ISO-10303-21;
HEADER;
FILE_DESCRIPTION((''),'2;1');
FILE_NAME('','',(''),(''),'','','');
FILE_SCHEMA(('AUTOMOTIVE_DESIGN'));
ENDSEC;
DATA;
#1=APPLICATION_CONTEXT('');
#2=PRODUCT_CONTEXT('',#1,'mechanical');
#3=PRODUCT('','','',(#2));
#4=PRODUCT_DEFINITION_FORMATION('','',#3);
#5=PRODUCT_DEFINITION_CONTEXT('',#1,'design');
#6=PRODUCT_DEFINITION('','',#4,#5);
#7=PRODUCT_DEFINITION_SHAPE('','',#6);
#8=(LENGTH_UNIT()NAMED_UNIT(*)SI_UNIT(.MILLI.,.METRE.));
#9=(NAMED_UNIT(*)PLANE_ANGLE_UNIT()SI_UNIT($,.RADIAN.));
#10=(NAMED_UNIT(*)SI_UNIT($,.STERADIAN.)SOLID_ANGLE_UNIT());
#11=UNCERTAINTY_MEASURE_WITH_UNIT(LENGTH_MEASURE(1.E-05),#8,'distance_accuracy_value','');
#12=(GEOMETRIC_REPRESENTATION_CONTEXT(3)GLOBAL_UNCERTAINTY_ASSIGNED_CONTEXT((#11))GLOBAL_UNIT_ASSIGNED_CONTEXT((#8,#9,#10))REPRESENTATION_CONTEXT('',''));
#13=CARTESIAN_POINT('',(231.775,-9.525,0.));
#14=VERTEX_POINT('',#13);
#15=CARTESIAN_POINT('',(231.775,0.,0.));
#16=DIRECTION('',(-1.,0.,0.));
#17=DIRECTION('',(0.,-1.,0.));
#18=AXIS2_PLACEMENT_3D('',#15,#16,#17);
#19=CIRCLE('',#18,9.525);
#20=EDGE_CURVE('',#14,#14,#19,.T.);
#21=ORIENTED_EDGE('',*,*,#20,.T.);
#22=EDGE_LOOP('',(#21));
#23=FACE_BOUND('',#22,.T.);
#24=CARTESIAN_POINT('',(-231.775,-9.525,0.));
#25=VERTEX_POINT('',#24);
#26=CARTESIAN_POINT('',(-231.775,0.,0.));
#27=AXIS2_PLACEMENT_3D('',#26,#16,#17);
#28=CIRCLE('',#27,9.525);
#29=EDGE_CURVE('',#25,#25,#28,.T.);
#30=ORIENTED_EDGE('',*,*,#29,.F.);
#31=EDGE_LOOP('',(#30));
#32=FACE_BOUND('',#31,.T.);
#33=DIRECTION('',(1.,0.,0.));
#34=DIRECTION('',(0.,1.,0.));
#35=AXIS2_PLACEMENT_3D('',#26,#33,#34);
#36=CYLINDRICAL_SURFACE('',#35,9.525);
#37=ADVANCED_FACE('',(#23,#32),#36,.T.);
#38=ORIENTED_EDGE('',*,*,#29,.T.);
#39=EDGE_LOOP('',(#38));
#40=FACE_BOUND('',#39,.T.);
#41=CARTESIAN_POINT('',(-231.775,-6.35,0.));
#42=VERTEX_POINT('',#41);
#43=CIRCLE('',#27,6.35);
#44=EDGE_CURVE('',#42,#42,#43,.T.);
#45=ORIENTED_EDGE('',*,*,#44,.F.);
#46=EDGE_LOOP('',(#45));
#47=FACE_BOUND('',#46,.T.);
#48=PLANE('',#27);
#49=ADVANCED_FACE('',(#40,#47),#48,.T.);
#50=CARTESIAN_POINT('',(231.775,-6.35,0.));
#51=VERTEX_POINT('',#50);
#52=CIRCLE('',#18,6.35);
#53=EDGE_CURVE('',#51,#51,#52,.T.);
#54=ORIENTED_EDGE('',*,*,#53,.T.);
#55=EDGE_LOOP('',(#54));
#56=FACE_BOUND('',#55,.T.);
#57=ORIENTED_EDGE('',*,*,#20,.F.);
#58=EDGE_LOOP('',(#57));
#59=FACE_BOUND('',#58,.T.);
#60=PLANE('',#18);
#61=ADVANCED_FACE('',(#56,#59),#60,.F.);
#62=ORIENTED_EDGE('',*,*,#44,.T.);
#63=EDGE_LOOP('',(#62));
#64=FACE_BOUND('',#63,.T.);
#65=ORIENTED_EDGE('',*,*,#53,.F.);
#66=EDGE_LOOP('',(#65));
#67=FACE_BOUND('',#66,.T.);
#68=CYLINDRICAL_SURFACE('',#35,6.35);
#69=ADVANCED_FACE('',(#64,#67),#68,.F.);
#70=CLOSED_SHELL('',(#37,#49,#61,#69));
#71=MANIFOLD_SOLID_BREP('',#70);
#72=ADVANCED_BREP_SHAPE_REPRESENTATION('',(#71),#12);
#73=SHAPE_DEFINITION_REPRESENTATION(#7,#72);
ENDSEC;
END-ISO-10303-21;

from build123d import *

# Parameters (mm, degrees)
SKETCH13_R                          = 9.525
SKETCH13_R_2                        = 6.35
ROUND_75IN_X_125IN_SIDEWALL_1_DEPTH = 463.55


with BuildPart() as part:
    # Sketch13 → Round .75IN X .125IN SIDEWALL(1) (new body)
    with BuildSketch(Plane(origin=(231.775, 0, 0), x_dir=(0, -1, 0), z_dir=(-1, 0, 0))):
        Circle(SKETCH13_R)
        Circle(SKETCH13_R_2, mode=Mode.SUBTRACT)
    extrude(amount=ROUND_75IN_X_125IN_SIDEWALL_1_DEPTH)


solid = part.part
